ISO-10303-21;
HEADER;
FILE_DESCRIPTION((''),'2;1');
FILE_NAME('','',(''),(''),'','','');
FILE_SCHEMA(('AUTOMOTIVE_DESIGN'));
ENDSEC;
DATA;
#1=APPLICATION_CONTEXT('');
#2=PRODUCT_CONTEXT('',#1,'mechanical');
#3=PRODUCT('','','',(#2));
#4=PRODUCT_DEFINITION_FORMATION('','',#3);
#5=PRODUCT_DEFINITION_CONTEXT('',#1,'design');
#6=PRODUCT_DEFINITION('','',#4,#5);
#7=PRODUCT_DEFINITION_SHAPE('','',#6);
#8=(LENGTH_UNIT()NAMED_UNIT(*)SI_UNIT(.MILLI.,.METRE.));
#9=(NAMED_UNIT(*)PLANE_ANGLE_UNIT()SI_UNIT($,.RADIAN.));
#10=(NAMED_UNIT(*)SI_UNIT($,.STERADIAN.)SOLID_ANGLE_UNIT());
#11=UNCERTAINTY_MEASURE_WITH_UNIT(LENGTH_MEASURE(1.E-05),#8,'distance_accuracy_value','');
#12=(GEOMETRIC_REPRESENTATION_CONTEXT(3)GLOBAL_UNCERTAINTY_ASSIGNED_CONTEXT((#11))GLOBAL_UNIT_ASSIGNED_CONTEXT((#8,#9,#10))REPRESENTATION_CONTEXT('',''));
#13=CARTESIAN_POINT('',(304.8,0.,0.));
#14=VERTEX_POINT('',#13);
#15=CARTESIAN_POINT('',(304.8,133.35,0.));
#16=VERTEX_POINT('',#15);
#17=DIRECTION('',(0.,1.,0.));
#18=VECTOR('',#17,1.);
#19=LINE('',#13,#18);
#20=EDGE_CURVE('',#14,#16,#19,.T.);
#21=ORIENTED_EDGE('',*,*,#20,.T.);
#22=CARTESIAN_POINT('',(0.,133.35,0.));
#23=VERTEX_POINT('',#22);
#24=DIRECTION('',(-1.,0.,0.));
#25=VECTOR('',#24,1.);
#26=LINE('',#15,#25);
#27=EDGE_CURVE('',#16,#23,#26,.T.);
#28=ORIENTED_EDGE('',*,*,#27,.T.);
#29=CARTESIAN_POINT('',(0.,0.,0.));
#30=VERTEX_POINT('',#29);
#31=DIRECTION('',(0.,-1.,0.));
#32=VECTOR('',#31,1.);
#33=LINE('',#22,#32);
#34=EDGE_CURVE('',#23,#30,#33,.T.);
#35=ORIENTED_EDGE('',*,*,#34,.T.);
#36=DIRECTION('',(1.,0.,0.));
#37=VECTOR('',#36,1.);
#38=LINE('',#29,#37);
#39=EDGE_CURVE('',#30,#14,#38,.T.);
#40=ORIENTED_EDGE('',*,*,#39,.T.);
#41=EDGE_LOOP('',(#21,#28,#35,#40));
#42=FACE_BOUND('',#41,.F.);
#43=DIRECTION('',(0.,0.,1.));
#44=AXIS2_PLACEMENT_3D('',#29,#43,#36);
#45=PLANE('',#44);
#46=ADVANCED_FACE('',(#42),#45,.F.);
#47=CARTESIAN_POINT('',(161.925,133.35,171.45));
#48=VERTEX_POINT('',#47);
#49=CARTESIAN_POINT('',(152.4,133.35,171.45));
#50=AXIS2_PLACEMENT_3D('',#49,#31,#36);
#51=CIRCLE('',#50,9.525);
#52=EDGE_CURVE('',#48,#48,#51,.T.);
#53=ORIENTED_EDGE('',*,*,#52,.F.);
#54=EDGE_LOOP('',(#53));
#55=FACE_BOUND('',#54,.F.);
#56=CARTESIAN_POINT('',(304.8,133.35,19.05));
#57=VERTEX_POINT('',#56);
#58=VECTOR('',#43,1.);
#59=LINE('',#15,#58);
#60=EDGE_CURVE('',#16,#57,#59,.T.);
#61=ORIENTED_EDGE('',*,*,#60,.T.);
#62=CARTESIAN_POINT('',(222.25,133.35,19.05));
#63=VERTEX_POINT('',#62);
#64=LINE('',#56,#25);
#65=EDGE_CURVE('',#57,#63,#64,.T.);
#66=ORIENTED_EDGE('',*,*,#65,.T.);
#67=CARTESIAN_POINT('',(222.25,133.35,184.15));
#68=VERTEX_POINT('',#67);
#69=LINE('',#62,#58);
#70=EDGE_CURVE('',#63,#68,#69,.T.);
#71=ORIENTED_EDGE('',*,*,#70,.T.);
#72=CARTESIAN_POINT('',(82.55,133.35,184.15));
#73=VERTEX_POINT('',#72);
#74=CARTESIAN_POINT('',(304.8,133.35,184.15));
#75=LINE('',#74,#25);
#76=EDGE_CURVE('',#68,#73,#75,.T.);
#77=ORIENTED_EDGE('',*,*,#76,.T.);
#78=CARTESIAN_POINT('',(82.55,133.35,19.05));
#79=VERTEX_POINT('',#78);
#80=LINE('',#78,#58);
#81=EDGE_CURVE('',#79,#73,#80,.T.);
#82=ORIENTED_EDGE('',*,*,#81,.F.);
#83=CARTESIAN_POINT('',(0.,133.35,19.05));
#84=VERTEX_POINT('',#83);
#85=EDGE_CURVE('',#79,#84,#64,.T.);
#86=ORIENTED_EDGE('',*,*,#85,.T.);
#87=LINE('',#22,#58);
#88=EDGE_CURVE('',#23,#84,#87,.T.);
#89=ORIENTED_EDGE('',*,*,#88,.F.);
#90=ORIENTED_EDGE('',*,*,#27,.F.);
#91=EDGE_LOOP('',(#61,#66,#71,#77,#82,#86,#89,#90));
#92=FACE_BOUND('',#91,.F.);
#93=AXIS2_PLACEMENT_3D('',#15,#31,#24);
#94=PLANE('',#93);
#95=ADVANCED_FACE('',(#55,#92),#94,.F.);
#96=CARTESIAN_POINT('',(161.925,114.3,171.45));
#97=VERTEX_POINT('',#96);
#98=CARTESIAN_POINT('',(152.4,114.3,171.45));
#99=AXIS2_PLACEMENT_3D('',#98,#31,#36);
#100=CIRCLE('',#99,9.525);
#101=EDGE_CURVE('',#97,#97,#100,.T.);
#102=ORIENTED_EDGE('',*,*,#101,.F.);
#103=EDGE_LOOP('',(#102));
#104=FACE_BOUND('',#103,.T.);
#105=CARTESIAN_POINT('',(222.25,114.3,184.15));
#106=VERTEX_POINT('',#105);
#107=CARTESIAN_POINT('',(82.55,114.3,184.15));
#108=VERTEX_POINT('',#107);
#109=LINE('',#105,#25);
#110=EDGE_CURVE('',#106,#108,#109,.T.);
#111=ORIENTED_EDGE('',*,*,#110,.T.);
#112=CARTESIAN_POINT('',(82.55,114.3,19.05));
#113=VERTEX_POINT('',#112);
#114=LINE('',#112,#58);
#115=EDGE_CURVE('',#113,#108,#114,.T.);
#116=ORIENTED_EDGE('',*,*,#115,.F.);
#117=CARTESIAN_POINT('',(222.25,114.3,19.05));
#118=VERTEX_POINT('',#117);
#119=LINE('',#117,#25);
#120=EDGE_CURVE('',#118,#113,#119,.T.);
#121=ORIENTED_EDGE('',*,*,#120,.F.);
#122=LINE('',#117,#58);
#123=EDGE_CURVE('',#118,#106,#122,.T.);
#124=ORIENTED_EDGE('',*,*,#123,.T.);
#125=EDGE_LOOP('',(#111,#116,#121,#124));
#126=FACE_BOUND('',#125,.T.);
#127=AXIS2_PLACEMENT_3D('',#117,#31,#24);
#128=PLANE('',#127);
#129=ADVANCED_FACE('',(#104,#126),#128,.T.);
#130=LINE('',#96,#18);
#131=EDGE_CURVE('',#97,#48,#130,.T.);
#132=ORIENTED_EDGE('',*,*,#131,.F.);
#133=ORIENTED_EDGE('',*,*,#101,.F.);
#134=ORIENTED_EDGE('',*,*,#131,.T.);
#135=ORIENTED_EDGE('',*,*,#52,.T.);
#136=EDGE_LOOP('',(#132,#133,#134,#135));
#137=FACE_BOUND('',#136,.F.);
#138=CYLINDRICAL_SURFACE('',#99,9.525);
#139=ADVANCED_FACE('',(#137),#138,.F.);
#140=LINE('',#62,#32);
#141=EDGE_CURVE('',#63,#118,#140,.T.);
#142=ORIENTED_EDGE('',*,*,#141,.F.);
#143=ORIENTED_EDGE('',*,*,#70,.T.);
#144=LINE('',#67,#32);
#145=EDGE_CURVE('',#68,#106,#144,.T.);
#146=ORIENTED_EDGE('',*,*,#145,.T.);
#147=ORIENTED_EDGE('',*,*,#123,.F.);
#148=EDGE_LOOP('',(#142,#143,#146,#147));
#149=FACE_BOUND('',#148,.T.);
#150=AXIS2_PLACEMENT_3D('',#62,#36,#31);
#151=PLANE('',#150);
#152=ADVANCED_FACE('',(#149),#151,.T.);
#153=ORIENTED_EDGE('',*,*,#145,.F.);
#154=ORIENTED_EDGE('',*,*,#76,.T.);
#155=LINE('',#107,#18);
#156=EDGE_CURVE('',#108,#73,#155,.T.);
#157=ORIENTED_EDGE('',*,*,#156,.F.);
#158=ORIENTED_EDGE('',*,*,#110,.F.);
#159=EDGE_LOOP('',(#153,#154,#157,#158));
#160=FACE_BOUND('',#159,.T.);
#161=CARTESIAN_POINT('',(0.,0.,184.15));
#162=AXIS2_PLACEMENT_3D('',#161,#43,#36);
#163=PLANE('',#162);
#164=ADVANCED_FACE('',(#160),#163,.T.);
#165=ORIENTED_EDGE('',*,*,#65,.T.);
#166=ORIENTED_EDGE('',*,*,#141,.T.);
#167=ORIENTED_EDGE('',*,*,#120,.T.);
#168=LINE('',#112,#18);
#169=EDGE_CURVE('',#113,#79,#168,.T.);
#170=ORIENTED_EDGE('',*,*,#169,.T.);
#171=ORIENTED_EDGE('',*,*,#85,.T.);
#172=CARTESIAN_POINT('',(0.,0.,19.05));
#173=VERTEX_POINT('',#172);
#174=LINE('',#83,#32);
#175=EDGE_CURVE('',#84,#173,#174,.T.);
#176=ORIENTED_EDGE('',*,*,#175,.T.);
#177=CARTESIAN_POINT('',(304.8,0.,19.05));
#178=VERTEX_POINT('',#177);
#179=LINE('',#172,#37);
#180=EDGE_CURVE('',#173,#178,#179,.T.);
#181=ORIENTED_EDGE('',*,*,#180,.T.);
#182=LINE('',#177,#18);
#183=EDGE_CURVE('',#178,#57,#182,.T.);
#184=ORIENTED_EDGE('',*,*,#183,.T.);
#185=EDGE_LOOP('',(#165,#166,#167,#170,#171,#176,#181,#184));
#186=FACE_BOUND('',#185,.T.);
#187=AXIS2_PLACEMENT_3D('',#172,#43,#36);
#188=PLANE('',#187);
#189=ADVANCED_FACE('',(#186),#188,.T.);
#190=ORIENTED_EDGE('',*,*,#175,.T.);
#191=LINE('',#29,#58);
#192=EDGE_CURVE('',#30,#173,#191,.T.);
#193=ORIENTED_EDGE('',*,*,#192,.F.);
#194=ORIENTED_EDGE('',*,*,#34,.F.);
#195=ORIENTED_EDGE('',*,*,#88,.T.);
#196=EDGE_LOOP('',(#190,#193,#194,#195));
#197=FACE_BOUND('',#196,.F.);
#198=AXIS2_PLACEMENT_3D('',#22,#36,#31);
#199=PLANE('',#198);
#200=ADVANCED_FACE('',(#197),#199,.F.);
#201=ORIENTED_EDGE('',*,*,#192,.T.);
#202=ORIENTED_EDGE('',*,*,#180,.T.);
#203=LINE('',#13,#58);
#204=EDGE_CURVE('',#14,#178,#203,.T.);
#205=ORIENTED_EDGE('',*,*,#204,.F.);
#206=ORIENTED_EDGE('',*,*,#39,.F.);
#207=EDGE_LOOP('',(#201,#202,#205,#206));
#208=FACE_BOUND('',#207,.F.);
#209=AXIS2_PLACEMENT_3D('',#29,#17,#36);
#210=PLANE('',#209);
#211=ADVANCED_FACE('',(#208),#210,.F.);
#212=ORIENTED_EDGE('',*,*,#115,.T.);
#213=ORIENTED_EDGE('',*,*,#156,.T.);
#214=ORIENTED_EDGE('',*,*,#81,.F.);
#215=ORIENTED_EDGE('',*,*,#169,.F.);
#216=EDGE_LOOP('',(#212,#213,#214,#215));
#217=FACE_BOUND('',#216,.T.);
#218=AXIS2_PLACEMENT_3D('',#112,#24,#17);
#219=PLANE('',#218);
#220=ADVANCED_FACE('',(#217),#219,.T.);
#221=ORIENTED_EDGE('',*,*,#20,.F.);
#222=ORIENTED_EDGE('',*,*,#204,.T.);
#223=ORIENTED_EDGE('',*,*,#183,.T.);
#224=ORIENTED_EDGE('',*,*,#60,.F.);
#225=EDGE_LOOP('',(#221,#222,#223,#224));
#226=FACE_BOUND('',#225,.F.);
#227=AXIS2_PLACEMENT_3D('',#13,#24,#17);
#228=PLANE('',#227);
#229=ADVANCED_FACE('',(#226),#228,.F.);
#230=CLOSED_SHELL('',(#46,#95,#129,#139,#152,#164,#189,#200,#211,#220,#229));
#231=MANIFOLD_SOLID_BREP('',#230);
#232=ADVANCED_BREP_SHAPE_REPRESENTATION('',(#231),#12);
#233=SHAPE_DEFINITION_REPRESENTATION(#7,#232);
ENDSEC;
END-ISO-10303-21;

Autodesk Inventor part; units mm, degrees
ref_plane "YZ Plane" through (0, 0, 0) normal (1, 0, 0) x (0, 1, 0)
ref_plane "XZ Plane" through (0, 0, 0) normal (0, 1, 0) x (-1, 0, 0)
ref_plane "XY Plane" through (0, 0, 0) normal (0, 0, 1) x (1, 0, 0)
sketch "Sketch1" plane through (0, 0, 0) normal (0, 0, 1) x (1, 0, 0)
  line L0 (0, 0) -> (304.8, 0)
  line L1 (304.8, 0) -> (304.8, 133.35)
  line L2 (304.8, 133.35) -> (0, 133.35)
  line L3 (0, 133.35) -> (0, 0)
  dimension "d0" = 304.8
  dimension "d1" = 133.35
extrude "Extrusion1" add sketch "Sketch1" along normal blind 19.05
sketch "Sketch2" plane through (0, 0, 19.05) normal (0, 0, 1) x (1, 0, 0)
  line L0 (304.8, 133.35) -> (0, 133.35) projected
  line L1 (0, 133.35) -> (0, 0) projected
  line L2 (82.55, 133.35) -> (222.25, 133.35)
  line L3 (222.25, 133.35) -> (222.25, 114.3)
  line L4 (222.25, 114.3) -> (82.55, 114.3)
  line L5 (82.55, 114.3) -> (82.55, 133.35)
  dimension "d4" = 139.7
  dimension "d5" = 19.05
  dimension "d6" = 82.55
extrude "Extrusion2" add sketch "Sketch2" along normal blind 165.1
sketch "Sketch3" plane through (82.55, 114.3, 19.05) normal (0, -1, 0) x (1, 0, 0)
  line L0 (0, 165.1) -> (139.7, 165.1) projected
  circle A0 centre (69.85, 152.4) radius 9.525
  point P0 (-82.55, -19.05)
  dimension "d9" = 19.05
  dimension "d10" = 12.7
extrude "Extrusion3" cut sketch "Sketch3" against normal blind 165.1
properties part number "Puller1"
